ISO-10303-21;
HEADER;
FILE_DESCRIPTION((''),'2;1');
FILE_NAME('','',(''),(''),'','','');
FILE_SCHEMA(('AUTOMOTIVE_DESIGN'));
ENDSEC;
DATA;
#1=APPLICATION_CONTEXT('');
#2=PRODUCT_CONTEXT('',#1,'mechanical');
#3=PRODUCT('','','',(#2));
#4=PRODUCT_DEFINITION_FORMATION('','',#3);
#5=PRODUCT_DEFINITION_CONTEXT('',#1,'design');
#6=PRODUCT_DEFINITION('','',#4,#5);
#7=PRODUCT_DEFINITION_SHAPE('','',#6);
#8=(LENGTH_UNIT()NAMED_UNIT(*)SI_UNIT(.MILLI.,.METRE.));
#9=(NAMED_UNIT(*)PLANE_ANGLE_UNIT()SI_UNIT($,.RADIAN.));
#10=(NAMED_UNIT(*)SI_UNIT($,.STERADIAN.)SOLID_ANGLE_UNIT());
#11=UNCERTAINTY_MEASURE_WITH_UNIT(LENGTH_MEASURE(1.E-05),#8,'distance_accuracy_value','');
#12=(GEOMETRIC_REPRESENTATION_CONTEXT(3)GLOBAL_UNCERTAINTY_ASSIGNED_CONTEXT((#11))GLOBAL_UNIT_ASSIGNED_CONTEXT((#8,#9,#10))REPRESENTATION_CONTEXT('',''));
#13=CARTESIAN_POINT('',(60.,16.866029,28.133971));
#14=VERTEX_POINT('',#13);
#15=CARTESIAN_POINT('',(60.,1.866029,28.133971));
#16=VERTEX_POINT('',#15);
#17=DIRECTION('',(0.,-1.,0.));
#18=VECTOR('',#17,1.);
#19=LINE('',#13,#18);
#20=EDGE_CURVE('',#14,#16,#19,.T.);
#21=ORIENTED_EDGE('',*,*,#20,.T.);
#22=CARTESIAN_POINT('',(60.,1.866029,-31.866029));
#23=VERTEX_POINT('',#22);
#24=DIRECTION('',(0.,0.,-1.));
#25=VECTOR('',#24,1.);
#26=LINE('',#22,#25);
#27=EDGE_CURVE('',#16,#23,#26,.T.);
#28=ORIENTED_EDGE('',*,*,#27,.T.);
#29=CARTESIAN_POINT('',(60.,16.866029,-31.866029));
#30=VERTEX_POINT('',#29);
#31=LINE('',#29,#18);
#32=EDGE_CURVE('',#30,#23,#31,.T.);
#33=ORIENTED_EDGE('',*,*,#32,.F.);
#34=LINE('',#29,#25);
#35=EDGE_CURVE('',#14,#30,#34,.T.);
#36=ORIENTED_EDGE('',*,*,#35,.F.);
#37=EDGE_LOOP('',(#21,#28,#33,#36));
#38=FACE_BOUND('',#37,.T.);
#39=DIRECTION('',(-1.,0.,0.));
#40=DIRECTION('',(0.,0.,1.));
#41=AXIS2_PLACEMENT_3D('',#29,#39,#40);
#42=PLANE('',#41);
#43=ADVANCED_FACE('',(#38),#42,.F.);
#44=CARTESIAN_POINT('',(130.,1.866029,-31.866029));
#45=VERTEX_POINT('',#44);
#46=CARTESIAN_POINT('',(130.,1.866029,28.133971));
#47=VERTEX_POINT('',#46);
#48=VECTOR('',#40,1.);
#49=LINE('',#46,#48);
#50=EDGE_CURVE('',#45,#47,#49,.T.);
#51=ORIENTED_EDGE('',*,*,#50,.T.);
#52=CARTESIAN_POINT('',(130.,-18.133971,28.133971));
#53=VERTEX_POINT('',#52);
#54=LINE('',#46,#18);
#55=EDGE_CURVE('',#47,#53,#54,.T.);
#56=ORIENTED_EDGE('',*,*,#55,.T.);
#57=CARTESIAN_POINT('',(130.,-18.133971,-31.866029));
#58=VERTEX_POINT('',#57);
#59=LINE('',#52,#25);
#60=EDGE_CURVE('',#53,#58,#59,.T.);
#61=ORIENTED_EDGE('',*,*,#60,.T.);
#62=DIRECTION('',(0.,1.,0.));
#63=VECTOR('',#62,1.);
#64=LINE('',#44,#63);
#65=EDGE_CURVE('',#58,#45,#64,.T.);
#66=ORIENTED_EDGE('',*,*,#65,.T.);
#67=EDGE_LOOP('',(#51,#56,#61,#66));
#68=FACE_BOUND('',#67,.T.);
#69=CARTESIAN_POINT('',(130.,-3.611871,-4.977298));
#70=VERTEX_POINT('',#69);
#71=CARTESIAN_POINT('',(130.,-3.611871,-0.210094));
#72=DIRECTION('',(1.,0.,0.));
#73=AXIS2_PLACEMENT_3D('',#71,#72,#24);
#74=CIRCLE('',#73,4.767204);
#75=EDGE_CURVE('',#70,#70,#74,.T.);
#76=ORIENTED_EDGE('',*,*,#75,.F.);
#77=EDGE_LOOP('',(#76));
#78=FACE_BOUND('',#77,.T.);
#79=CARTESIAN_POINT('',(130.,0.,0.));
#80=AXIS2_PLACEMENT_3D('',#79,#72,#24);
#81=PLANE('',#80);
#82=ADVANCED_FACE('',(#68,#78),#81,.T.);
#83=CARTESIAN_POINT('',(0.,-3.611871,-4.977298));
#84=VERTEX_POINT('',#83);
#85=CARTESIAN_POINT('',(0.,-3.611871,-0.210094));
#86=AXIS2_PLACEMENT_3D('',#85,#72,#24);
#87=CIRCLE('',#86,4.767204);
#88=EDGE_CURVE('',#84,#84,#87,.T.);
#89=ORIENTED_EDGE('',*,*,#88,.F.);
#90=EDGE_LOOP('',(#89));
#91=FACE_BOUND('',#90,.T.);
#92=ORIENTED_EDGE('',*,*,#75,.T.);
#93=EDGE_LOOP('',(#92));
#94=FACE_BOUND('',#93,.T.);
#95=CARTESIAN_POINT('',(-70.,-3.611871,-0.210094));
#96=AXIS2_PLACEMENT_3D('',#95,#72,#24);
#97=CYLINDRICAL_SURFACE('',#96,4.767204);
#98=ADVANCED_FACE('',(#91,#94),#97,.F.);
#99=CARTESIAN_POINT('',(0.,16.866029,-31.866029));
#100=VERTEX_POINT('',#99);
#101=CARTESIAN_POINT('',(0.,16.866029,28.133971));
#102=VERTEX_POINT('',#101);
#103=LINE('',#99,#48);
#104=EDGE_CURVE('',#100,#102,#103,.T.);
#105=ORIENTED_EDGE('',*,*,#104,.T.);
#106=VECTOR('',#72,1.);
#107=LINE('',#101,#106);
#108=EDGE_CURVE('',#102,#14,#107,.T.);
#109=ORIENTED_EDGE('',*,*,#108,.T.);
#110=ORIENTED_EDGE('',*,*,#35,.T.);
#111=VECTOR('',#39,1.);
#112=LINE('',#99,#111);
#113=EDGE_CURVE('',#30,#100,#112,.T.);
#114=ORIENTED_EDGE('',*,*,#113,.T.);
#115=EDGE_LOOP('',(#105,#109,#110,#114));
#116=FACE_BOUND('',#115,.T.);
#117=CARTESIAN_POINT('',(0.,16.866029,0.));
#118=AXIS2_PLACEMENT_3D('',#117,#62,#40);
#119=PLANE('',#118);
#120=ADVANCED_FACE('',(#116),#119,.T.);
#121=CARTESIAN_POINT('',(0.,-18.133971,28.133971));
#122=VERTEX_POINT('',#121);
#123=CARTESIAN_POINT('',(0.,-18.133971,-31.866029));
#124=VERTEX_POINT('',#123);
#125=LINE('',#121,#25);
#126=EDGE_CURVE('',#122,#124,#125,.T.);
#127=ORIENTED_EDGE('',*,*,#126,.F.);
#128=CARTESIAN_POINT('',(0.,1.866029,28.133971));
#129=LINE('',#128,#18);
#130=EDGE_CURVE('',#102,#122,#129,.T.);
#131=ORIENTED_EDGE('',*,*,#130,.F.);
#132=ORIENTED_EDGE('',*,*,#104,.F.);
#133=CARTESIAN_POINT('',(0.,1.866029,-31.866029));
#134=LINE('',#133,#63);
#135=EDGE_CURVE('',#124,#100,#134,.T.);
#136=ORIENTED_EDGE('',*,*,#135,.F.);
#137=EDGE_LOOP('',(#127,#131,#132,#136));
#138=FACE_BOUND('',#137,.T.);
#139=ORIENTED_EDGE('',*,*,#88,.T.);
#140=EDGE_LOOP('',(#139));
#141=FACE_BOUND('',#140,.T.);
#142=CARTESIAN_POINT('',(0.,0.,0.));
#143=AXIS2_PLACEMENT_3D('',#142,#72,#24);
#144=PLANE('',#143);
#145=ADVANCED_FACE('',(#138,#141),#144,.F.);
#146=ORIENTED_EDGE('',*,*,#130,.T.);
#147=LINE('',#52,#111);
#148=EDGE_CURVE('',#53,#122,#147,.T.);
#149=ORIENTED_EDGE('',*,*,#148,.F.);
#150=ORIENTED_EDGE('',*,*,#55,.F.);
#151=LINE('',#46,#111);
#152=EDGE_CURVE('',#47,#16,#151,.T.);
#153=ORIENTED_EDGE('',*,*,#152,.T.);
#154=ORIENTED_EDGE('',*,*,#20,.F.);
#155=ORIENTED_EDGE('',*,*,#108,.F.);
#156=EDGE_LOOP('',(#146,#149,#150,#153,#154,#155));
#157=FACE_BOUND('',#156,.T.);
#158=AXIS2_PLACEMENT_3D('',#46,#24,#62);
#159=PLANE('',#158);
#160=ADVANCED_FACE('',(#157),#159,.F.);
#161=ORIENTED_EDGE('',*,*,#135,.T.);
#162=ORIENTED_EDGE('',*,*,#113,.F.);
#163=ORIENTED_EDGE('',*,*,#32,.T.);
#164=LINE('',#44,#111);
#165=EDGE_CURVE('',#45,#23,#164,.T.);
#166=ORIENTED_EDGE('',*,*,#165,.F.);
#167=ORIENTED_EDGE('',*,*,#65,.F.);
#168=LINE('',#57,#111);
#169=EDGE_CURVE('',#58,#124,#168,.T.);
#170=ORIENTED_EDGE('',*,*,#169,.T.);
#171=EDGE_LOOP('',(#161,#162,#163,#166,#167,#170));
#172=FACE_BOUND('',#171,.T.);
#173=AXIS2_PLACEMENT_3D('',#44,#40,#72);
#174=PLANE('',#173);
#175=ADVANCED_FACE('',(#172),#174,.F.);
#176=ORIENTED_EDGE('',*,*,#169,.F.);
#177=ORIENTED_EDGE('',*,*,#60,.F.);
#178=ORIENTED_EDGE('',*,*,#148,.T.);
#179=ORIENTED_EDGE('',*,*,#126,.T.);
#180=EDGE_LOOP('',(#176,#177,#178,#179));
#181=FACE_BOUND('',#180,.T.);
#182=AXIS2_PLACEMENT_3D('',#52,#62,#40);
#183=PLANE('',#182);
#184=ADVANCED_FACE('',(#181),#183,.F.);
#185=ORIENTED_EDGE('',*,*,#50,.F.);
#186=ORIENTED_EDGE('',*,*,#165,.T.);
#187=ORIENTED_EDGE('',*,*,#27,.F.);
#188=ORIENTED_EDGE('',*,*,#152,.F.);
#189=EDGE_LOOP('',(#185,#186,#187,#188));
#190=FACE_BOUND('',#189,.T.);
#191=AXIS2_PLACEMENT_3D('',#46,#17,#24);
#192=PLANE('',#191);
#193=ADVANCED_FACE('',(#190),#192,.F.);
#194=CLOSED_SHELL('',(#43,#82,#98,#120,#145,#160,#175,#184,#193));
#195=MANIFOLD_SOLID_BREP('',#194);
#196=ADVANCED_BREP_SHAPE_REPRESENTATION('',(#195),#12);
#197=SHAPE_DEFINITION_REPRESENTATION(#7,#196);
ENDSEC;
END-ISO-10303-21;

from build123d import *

# Parameters (mm, degrees)
SKETCH1_W           = 60
SKETCH1_H           = 20
BOSS_EXTRUDE1_DEPTH = 130
SKETCH2_W           = 60
SKETCH2_H           = 60
BOSS_EXTRUDE2_DEPTH = 15
SKETCH3_R           = 4.767204383
CUT_EXTRUDE1_DEPTH  = 200


with BuildPart() as part:
    # Sketch1 → Boss-Extrude1 (new body)
    with BuildSketch(Plane(origin=(0, 0, 0), x_dir=(0, 0, -1), z_dir=(1, 0, 0))):
        with Locations((1.866028708, -8.133971292)):
            Rectangle(SKETCH1_W, SKETCH1_H)
    extrude(amount=BOSS_EXTRUDE1_DEPTH)

    # Sketch2 → Boss-Extrude2 (add)
    with BuildSketch(Plane(origin=(0, 1.866028708, 0), x_dir=(1, 0, 0), z_dir=(0, 1, 0))):
        with Locations((30, 1.866028708)):
            Rectangle(SKETCH2_W, SKETCH2_H)
    extrude(amount=BOSS_EXTRUDE2_DEPTH)

    # Sketch3 → Cut-Extrude1 (cut)
    with BuildSketch(Plane(origin=(130, 0, 0), x_dir=(0, 0, -1), z_dir=(1, 0, 0))):
        with Locations((0.210093723, -3.611871182)):
            Circle(SKETCH3_R)
    extrude(amount=-CUT_EXTRUDE1_DEPTH, mode=Mode.SUBTRACT)


solid = part.part
